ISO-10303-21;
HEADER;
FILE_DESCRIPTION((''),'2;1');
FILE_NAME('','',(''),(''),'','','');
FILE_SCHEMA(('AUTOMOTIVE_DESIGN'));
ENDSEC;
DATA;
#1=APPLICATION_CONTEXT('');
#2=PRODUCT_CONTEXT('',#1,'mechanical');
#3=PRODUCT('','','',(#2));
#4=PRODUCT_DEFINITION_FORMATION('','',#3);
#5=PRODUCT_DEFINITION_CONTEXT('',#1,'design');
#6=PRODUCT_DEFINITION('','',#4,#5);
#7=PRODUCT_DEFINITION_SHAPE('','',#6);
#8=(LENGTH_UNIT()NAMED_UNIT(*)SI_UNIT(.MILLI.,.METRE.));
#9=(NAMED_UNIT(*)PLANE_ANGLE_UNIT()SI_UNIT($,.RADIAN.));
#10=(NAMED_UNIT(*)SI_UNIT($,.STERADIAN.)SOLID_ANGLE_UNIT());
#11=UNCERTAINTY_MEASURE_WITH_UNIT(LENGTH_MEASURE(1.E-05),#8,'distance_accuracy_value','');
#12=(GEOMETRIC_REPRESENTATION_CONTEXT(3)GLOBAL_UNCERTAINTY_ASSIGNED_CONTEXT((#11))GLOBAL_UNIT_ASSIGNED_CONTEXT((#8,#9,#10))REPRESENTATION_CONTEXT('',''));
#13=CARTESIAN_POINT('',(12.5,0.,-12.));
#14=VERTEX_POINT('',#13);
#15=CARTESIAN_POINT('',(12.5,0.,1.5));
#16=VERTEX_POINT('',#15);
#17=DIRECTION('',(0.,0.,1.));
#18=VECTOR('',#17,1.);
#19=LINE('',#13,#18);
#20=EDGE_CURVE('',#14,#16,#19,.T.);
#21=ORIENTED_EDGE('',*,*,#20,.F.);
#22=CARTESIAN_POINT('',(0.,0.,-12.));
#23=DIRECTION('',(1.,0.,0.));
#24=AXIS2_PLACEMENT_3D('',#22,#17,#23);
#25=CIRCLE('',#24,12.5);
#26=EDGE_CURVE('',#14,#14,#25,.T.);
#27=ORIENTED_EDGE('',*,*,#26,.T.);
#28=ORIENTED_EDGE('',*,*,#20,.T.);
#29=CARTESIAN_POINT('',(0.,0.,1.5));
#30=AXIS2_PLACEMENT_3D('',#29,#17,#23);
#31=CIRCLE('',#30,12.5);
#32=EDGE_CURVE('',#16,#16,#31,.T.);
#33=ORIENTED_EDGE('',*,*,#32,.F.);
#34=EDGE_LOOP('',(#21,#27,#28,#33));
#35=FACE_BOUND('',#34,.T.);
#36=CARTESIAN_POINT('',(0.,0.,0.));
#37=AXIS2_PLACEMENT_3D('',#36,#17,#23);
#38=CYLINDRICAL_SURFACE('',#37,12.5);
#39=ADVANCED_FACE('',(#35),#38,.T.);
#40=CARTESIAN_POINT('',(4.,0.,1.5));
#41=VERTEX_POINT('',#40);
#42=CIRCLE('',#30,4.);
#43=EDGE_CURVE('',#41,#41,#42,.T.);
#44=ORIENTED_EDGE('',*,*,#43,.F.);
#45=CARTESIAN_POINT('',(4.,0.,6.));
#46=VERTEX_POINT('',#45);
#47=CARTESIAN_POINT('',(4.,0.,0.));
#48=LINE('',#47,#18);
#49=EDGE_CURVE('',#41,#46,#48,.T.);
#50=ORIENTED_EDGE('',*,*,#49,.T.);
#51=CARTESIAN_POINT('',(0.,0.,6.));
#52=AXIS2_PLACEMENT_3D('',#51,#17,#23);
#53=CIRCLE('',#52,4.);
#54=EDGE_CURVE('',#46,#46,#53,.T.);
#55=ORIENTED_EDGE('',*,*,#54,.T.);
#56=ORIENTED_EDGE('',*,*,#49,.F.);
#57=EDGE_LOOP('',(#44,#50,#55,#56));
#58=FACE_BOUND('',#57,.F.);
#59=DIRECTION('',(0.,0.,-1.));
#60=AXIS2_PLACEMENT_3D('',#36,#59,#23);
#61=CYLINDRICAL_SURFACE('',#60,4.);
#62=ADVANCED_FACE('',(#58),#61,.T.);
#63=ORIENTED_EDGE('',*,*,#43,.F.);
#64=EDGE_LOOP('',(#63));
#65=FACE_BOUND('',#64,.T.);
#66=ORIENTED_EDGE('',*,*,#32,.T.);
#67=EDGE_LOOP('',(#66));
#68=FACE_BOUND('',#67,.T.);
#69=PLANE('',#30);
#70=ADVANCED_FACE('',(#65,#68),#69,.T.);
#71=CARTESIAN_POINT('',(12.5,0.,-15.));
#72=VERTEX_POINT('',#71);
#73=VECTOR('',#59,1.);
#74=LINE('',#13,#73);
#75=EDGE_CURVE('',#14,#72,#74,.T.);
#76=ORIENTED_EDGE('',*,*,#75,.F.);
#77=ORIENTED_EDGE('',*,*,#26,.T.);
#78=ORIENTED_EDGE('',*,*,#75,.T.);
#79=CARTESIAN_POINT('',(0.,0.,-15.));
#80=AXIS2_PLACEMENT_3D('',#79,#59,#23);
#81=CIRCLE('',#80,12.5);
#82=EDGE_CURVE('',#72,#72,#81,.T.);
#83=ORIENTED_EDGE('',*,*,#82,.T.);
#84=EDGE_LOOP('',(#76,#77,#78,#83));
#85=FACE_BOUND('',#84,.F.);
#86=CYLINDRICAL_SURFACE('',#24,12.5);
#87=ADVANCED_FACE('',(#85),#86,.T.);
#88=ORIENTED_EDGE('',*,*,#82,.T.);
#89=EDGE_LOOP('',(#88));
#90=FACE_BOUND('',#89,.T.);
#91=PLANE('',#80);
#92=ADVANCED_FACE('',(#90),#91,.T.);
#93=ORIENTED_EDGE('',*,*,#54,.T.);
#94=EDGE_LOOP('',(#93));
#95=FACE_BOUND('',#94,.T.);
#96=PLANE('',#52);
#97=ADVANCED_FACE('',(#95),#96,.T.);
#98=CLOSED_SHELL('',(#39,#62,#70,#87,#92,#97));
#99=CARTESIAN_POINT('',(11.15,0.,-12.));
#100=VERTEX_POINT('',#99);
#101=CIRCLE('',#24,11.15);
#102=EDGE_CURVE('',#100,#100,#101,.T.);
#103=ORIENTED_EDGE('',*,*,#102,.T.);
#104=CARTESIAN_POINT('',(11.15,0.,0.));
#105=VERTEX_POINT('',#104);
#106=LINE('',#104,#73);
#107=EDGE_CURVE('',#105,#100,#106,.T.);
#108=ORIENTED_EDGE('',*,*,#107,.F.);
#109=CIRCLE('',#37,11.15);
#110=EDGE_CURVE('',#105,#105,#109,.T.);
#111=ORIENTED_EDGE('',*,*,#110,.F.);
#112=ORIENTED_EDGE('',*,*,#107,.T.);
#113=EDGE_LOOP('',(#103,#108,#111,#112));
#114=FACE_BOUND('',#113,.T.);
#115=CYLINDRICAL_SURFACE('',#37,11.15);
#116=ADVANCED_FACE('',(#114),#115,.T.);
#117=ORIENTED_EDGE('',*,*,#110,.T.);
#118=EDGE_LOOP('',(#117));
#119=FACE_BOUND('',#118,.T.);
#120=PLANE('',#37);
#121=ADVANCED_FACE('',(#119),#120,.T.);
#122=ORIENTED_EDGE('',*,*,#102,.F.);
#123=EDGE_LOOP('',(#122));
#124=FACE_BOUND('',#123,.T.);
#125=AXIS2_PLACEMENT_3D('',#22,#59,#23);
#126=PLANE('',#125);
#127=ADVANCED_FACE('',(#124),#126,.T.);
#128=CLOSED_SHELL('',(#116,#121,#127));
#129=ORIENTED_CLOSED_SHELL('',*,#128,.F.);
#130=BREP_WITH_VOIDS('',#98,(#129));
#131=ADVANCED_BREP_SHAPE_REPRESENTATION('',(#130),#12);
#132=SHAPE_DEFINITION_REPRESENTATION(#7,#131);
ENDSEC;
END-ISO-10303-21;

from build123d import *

# Parameters (mm, degrees)
F0_R     = 8.5
F0_R_2   = 4
F1_DEPTH = 1.5
F2_DEPTH = 6
F0_R_3   = 12.5
F0_R_4   = 11.15
F3_DEPTH = 1.5
F4_DEPTH = 12
F5_R     = 12.5
F6_DEPTH = 3


with BuildPart() as f1:
    # F0 (on Top) → F1 (new body)
    with BuildSketch(Plane.XY):
        Circle(F0_R)
        Circle(F0_R_2, mode=Mode.SUBTRACT)
    extrude(amount=F1_DEPTH)

    # F0 (on Top) → F2 (join)
    with BuildSketch(Plane.XY):
        Circle(F0_R_2)
    extrude(amount=F2_DEPTH)

    # F0 (on Top) → F3 (join)
    with BuildSketch(Plane.XY):
        Circle(F0_R_3)
        Circle(F0_R_4, mode=Mode.SUBTRACT)
        Circle(F0_R_4)
        Circle(F0_R, mode=Mode.SUBTRACT)
    extrude(amount=F3_DEPTH)

    # F0 (on Top) → F4 (join)
    with BuildSketch(Plane.XY):
        Circle(F0_R_3)
        Circle(F0_R_4, mode=Mode.SUBTRACT)
    extrude(amount=-F4_DEPTH)

    # F5 (on face) → F6 (join)
    with BuildSketch(Plane(origin=(0, 0, -12), x_dir=(1, 0, 0), z_dir=(0, 0, -1))):
        Circle(F5_R)
    extrude(amount=F6_DEPTH)


solid = f1.part
